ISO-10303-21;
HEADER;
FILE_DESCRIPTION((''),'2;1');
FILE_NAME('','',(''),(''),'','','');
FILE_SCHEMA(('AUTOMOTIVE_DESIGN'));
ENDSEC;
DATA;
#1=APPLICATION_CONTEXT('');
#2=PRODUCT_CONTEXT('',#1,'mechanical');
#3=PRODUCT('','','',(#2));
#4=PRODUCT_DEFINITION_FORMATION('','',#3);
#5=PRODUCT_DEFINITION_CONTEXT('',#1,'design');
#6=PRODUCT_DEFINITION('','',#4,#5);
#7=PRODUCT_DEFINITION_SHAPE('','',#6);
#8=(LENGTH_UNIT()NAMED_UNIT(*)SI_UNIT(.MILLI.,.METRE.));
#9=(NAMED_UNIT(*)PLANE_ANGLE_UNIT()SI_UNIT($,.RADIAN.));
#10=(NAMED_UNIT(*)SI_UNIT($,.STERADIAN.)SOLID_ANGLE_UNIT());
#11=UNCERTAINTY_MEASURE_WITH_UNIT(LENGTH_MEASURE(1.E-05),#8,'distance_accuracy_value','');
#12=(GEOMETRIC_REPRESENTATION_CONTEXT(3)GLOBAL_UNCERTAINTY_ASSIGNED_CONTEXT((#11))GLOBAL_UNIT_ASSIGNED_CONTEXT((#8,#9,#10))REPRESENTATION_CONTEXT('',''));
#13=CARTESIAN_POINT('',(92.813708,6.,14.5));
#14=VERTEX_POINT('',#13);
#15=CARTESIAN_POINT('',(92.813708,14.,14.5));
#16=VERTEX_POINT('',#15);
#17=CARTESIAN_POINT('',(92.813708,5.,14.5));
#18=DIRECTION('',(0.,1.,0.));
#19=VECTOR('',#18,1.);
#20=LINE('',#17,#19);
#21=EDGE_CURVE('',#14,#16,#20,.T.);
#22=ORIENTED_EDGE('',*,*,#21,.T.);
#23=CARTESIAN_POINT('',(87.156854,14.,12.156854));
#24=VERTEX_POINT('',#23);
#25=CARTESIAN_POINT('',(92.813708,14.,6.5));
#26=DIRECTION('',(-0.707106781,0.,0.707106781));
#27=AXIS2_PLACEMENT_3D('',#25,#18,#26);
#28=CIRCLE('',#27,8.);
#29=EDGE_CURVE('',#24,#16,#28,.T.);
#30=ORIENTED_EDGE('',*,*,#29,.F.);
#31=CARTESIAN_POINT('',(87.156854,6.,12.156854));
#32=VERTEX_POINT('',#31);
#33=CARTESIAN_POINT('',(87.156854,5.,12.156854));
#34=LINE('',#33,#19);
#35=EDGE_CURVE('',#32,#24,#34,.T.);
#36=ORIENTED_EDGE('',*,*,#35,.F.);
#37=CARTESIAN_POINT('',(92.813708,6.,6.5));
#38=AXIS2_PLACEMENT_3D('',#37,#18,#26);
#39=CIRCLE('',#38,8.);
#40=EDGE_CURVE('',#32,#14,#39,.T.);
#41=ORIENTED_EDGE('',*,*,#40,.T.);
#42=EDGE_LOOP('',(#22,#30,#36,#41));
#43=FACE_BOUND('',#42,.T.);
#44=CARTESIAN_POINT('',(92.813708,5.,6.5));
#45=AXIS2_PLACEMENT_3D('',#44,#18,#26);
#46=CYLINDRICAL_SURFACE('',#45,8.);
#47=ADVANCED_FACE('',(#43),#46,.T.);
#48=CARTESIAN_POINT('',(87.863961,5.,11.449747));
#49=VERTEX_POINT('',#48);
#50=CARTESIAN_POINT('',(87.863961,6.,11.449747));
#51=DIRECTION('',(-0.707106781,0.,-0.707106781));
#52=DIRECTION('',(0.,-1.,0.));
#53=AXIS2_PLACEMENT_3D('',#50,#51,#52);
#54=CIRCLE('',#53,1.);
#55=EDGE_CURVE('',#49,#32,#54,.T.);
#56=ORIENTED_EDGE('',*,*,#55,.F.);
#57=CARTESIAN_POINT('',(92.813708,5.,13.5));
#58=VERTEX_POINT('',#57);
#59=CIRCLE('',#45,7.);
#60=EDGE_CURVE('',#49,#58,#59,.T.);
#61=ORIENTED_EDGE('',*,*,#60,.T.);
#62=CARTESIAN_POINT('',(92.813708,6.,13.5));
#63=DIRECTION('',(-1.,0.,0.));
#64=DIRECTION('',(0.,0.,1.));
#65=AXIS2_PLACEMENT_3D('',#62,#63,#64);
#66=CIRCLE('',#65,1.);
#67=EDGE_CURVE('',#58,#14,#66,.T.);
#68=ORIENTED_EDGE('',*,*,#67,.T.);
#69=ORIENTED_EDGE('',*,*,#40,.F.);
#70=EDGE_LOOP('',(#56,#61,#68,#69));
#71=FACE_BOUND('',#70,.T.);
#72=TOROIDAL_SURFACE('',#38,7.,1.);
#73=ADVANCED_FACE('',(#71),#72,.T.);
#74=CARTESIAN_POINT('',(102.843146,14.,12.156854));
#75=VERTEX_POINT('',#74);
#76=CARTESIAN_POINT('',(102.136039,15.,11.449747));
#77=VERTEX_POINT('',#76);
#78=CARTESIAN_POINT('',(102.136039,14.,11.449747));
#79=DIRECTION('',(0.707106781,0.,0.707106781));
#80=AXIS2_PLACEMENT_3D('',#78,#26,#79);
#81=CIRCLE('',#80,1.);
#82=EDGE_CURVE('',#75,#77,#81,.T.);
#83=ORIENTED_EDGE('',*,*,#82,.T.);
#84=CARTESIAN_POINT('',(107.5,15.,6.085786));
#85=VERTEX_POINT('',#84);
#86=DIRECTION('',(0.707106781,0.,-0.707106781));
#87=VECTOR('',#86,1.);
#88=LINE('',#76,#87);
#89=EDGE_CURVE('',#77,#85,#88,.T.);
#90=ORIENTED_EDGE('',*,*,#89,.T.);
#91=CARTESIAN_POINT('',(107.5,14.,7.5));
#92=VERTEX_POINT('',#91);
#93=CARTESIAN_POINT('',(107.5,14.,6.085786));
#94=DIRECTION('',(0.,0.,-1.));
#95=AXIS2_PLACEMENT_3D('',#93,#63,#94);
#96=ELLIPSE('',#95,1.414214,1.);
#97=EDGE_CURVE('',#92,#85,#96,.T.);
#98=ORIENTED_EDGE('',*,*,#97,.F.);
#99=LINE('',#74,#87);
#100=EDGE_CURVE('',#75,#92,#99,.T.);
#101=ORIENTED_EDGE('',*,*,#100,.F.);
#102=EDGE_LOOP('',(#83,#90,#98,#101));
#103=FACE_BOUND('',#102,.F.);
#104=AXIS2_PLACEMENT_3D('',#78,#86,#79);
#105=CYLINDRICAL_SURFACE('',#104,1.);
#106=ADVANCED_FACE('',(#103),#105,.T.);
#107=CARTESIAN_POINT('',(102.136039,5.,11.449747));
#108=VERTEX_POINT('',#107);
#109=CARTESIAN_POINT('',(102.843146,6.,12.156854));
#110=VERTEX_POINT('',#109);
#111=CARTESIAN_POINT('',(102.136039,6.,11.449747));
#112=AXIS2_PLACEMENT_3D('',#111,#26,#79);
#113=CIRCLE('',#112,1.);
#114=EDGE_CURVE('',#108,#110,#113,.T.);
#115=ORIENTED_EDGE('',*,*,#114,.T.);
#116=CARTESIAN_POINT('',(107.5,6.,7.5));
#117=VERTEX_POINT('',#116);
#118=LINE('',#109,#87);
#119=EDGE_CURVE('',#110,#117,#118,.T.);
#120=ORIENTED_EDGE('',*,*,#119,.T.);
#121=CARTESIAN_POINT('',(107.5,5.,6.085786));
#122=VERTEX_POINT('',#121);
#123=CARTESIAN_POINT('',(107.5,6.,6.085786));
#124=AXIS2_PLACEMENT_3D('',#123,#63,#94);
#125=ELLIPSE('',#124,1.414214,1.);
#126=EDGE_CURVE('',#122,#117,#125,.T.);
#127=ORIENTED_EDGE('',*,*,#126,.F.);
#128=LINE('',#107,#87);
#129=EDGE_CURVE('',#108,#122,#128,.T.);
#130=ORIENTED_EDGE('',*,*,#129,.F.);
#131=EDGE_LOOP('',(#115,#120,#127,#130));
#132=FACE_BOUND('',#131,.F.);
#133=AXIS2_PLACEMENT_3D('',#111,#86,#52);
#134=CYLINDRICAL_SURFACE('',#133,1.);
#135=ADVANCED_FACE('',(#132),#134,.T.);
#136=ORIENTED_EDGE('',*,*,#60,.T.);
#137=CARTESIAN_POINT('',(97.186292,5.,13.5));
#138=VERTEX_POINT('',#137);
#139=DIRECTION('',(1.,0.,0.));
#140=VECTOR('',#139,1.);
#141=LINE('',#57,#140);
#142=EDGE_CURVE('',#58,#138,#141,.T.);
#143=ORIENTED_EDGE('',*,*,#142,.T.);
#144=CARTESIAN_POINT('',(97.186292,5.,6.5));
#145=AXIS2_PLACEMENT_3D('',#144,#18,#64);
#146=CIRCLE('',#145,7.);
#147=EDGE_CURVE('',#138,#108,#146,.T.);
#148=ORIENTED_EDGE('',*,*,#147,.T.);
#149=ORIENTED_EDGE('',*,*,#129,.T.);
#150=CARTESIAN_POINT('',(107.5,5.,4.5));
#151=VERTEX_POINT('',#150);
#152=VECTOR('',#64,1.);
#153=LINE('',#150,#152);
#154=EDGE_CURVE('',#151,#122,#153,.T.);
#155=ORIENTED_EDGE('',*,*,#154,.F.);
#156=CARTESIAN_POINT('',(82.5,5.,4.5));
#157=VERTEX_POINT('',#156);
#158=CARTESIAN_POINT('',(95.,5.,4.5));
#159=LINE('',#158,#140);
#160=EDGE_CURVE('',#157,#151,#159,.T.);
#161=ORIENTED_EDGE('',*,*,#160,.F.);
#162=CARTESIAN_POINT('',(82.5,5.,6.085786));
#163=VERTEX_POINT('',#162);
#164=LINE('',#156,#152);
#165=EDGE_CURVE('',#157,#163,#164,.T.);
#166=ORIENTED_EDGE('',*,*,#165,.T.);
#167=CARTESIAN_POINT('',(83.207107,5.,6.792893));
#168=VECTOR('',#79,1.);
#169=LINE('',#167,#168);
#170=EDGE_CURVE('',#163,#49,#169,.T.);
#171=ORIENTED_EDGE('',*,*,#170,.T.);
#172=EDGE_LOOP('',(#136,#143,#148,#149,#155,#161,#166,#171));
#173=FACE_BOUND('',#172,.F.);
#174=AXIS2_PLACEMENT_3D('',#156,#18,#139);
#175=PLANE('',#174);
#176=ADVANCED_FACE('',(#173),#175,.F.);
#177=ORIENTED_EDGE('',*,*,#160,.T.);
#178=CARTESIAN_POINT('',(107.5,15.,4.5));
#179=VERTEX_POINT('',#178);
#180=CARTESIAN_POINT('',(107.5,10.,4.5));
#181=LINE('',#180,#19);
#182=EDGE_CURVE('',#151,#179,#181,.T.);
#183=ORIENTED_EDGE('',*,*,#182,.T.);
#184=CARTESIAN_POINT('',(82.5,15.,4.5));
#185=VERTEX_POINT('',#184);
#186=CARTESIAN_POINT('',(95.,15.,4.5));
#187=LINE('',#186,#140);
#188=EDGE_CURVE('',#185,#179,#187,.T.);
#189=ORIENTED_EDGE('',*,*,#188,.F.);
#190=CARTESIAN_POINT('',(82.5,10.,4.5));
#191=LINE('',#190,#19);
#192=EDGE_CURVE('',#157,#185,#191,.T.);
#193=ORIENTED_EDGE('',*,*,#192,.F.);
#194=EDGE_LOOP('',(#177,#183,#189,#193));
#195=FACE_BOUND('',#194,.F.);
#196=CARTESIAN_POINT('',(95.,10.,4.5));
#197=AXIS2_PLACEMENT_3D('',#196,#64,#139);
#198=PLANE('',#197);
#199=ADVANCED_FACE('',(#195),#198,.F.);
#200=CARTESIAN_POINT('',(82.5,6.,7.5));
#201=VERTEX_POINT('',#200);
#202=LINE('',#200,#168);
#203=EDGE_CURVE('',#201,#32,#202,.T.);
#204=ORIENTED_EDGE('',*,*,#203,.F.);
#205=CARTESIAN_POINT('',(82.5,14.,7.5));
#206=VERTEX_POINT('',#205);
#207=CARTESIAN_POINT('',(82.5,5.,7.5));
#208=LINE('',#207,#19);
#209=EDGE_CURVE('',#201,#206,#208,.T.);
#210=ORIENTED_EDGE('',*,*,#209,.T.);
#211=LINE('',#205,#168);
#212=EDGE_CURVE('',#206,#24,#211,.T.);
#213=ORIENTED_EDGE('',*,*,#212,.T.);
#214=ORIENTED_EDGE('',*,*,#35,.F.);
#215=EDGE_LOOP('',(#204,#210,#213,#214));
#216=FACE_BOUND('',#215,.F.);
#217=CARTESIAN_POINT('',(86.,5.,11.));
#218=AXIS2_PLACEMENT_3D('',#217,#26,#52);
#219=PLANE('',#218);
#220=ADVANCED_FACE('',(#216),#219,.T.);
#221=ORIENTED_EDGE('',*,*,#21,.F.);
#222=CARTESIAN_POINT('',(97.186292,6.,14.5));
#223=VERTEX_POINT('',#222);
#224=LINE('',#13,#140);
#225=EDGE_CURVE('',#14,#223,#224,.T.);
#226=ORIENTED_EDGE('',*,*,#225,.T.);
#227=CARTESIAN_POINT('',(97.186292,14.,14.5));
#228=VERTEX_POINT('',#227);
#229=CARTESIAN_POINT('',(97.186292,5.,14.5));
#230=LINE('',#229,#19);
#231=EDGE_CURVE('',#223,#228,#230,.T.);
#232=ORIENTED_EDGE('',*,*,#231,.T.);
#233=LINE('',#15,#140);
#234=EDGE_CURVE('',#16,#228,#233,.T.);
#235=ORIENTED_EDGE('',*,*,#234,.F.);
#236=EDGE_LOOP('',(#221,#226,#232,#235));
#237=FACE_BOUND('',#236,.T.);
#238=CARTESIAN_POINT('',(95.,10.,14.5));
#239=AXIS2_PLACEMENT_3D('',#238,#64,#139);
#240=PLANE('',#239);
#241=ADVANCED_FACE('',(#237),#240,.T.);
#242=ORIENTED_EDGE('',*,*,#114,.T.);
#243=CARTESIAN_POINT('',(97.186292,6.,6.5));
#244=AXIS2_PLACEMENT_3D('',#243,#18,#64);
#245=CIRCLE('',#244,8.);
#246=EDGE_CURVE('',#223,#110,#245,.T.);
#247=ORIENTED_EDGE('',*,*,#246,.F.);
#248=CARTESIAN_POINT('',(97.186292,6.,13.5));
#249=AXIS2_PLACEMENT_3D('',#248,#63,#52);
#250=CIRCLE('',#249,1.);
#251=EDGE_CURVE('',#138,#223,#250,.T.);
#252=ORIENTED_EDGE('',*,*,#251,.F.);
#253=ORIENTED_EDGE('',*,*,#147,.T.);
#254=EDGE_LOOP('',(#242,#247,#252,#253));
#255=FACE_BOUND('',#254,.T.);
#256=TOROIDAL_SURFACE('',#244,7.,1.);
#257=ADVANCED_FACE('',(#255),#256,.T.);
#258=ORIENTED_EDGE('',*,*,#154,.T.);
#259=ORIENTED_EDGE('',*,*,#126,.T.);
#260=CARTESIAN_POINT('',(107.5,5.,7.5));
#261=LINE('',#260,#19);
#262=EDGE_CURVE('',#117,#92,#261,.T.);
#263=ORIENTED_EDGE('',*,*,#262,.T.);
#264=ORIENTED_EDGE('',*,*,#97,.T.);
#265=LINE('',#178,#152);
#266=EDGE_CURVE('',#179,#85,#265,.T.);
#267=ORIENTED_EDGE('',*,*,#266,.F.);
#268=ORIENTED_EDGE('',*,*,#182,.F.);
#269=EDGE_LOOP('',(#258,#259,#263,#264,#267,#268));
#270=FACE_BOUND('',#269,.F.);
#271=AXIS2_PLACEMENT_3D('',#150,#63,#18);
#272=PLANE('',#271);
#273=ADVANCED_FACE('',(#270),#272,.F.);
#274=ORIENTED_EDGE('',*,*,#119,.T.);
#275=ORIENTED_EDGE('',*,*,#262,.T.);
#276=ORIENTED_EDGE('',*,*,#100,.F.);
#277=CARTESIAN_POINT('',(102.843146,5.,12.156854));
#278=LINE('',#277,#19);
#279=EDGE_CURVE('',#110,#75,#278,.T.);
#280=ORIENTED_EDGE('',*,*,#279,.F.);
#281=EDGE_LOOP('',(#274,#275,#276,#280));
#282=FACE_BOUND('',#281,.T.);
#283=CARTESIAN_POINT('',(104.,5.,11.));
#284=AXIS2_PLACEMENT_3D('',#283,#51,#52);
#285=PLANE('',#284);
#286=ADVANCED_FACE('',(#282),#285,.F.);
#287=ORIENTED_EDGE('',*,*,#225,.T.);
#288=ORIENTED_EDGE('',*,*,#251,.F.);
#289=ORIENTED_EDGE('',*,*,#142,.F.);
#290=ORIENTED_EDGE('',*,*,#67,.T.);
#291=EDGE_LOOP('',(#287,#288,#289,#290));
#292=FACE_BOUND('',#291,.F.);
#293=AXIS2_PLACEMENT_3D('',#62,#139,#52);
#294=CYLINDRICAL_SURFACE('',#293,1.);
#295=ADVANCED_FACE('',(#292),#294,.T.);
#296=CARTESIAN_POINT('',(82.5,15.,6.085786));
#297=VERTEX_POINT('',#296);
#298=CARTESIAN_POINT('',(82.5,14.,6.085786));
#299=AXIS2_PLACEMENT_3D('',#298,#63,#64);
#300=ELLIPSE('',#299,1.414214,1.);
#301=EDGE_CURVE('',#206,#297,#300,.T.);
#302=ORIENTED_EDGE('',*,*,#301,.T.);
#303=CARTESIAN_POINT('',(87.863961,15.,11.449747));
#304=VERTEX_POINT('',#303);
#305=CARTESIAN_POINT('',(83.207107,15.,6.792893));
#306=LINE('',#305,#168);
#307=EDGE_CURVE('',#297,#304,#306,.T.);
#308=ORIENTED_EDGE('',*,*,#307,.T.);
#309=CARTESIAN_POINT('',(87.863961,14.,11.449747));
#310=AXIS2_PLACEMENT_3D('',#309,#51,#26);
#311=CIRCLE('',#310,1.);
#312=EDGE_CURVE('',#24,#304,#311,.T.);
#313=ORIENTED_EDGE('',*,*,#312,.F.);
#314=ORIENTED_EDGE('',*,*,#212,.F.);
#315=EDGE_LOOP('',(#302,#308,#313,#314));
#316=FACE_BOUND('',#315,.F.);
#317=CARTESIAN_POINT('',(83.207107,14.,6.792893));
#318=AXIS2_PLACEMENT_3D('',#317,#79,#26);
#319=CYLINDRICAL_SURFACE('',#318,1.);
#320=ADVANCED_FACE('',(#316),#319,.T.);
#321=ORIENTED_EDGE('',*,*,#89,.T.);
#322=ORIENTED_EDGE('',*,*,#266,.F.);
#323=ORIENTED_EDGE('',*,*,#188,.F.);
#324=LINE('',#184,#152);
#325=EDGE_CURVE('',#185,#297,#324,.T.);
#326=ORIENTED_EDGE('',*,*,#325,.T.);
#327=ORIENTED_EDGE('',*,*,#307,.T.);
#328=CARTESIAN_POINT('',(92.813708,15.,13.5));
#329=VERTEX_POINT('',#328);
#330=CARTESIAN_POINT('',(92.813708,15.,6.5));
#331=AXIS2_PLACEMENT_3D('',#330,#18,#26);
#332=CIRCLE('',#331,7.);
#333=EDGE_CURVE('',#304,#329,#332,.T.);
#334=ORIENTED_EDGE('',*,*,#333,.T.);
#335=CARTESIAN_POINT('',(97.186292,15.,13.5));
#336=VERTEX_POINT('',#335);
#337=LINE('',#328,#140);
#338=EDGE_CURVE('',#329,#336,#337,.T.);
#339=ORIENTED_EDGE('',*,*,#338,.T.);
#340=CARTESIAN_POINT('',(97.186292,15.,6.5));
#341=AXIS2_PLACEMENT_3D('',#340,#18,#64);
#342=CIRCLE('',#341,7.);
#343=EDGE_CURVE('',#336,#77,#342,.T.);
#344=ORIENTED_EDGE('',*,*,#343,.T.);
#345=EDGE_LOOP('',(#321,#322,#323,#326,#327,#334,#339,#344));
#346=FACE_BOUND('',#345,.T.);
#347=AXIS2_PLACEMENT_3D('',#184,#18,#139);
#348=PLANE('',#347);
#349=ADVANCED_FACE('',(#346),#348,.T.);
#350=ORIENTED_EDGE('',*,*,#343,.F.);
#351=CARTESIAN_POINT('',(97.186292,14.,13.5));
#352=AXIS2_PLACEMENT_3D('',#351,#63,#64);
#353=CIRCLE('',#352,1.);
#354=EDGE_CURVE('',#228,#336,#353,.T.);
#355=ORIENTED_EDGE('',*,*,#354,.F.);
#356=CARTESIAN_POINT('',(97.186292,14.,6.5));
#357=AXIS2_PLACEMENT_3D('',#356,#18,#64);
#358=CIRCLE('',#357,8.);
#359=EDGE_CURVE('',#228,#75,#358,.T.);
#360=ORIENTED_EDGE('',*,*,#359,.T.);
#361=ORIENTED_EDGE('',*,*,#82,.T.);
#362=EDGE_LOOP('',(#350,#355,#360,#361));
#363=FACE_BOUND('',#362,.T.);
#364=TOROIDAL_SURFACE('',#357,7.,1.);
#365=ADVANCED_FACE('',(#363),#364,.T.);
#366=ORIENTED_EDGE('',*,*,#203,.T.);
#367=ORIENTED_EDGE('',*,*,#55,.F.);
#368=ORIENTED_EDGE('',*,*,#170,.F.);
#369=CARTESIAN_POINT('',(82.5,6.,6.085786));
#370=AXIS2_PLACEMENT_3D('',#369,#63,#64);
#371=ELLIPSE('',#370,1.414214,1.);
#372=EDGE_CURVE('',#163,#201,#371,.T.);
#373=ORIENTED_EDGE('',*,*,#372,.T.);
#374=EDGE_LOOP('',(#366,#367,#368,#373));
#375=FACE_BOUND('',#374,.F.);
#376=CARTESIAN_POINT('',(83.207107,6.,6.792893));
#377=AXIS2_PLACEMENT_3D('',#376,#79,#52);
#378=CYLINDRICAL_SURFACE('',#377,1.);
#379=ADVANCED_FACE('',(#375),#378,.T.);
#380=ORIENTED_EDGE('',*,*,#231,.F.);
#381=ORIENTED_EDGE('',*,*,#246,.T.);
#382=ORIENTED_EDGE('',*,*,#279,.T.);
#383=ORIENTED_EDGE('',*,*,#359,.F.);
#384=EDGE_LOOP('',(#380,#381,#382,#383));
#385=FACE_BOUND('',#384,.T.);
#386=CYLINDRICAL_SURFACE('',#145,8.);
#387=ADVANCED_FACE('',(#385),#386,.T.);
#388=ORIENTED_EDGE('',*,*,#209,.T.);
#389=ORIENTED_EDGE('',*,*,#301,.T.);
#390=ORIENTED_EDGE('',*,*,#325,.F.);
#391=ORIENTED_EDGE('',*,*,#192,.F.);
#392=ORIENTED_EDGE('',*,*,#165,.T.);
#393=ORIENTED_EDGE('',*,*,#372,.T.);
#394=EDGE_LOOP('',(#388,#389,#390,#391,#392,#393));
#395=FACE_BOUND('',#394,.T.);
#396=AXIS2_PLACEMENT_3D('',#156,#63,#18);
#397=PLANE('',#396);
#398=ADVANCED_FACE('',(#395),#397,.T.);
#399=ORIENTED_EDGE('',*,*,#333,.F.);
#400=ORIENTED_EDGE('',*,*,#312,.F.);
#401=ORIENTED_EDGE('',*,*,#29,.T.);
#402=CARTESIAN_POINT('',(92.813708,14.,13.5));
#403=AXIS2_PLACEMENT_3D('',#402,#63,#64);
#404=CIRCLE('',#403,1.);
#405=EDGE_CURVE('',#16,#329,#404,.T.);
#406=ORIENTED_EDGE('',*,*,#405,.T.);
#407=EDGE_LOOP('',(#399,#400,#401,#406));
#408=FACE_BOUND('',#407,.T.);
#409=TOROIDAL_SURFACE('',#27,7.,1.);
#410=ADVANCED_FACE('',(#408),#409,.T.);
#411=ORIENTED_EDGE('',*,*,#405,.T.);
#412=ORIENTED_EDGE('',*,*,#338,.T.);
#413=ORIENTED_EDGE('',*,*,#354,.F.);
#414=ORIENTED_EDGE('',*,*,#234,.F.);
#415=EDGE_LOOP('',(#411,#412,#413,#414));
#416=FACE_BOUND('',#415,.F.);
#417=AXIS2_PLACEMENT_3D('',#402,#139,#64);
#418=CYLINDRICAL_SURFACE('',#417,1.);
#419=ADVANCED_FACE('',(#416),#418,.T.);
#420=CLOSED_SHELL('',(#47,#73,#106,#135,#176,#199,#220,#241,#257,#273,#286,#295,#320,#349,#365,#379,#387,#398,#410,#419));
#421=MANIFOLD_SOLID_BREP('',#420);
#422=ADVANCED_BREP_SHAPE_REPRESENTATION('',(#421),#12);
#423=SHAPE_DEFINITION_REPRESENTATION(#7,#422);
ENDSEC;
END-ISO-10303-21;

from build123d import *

# Parameters (mm, degrees)
BOX006_W             = 25
BOX006_H             = 10
BOX006_DEPTH         = 10
CHAMFER003_SIZE      = 7
FILLET002003_R       = 8
FILLET002008005008_R = 1


with BuildPart() as part:
    # Box006 → Box006 (new body)
    with BuildSketch(Plane(origin=(85, 5, 30), x_dir=(1, 0, 0), z_dir=(0, 0, 1))):
        with Locations((12.5, 5)):
            Rectangle(BOX006_W, BOX006_H)
    extrude(amount=BOX006_DEPTH)

    # Chamfer003
    chamfer003_edges = [part.edges().sort_by_distance(p)[0] for p in [
        (85, 10, 40),
        (110, 10, 40),
    ]]
    chamfer(chamfer003_edges, length=CHAMFER003_SIZE)

    # Fillet002003
    fillet002003_edges = [part.edges().sort_by_distance(p)[0] for p in [
        (92, 10, 40),
        (103, 10, 40),
    ]]
    fillet(fillet002003_edges, radius=FILLET002003_R)


with BuildPart() as part_1:
    # Fillet002003 placement: moved
    add(part.part.moved(Location((-7.5, 0, -3))))

    # Fillet002008005008
    fillet002008005008_edges = [part_1.edges().sort_by_distance(p)[0] for p in [
        (95.247759, 5, 36.391036),
        (95.247759, 15, 36.391036),
    ]]
    fillet(fillet002008005008_edges, radius=FILLET002008005008_R)


with BuildPart() as part_2:
    # Fillet002008005008 placement: moved
    add(part_1.part.moved(Location((5, 0, -22.5))))


solid = part_2.part
